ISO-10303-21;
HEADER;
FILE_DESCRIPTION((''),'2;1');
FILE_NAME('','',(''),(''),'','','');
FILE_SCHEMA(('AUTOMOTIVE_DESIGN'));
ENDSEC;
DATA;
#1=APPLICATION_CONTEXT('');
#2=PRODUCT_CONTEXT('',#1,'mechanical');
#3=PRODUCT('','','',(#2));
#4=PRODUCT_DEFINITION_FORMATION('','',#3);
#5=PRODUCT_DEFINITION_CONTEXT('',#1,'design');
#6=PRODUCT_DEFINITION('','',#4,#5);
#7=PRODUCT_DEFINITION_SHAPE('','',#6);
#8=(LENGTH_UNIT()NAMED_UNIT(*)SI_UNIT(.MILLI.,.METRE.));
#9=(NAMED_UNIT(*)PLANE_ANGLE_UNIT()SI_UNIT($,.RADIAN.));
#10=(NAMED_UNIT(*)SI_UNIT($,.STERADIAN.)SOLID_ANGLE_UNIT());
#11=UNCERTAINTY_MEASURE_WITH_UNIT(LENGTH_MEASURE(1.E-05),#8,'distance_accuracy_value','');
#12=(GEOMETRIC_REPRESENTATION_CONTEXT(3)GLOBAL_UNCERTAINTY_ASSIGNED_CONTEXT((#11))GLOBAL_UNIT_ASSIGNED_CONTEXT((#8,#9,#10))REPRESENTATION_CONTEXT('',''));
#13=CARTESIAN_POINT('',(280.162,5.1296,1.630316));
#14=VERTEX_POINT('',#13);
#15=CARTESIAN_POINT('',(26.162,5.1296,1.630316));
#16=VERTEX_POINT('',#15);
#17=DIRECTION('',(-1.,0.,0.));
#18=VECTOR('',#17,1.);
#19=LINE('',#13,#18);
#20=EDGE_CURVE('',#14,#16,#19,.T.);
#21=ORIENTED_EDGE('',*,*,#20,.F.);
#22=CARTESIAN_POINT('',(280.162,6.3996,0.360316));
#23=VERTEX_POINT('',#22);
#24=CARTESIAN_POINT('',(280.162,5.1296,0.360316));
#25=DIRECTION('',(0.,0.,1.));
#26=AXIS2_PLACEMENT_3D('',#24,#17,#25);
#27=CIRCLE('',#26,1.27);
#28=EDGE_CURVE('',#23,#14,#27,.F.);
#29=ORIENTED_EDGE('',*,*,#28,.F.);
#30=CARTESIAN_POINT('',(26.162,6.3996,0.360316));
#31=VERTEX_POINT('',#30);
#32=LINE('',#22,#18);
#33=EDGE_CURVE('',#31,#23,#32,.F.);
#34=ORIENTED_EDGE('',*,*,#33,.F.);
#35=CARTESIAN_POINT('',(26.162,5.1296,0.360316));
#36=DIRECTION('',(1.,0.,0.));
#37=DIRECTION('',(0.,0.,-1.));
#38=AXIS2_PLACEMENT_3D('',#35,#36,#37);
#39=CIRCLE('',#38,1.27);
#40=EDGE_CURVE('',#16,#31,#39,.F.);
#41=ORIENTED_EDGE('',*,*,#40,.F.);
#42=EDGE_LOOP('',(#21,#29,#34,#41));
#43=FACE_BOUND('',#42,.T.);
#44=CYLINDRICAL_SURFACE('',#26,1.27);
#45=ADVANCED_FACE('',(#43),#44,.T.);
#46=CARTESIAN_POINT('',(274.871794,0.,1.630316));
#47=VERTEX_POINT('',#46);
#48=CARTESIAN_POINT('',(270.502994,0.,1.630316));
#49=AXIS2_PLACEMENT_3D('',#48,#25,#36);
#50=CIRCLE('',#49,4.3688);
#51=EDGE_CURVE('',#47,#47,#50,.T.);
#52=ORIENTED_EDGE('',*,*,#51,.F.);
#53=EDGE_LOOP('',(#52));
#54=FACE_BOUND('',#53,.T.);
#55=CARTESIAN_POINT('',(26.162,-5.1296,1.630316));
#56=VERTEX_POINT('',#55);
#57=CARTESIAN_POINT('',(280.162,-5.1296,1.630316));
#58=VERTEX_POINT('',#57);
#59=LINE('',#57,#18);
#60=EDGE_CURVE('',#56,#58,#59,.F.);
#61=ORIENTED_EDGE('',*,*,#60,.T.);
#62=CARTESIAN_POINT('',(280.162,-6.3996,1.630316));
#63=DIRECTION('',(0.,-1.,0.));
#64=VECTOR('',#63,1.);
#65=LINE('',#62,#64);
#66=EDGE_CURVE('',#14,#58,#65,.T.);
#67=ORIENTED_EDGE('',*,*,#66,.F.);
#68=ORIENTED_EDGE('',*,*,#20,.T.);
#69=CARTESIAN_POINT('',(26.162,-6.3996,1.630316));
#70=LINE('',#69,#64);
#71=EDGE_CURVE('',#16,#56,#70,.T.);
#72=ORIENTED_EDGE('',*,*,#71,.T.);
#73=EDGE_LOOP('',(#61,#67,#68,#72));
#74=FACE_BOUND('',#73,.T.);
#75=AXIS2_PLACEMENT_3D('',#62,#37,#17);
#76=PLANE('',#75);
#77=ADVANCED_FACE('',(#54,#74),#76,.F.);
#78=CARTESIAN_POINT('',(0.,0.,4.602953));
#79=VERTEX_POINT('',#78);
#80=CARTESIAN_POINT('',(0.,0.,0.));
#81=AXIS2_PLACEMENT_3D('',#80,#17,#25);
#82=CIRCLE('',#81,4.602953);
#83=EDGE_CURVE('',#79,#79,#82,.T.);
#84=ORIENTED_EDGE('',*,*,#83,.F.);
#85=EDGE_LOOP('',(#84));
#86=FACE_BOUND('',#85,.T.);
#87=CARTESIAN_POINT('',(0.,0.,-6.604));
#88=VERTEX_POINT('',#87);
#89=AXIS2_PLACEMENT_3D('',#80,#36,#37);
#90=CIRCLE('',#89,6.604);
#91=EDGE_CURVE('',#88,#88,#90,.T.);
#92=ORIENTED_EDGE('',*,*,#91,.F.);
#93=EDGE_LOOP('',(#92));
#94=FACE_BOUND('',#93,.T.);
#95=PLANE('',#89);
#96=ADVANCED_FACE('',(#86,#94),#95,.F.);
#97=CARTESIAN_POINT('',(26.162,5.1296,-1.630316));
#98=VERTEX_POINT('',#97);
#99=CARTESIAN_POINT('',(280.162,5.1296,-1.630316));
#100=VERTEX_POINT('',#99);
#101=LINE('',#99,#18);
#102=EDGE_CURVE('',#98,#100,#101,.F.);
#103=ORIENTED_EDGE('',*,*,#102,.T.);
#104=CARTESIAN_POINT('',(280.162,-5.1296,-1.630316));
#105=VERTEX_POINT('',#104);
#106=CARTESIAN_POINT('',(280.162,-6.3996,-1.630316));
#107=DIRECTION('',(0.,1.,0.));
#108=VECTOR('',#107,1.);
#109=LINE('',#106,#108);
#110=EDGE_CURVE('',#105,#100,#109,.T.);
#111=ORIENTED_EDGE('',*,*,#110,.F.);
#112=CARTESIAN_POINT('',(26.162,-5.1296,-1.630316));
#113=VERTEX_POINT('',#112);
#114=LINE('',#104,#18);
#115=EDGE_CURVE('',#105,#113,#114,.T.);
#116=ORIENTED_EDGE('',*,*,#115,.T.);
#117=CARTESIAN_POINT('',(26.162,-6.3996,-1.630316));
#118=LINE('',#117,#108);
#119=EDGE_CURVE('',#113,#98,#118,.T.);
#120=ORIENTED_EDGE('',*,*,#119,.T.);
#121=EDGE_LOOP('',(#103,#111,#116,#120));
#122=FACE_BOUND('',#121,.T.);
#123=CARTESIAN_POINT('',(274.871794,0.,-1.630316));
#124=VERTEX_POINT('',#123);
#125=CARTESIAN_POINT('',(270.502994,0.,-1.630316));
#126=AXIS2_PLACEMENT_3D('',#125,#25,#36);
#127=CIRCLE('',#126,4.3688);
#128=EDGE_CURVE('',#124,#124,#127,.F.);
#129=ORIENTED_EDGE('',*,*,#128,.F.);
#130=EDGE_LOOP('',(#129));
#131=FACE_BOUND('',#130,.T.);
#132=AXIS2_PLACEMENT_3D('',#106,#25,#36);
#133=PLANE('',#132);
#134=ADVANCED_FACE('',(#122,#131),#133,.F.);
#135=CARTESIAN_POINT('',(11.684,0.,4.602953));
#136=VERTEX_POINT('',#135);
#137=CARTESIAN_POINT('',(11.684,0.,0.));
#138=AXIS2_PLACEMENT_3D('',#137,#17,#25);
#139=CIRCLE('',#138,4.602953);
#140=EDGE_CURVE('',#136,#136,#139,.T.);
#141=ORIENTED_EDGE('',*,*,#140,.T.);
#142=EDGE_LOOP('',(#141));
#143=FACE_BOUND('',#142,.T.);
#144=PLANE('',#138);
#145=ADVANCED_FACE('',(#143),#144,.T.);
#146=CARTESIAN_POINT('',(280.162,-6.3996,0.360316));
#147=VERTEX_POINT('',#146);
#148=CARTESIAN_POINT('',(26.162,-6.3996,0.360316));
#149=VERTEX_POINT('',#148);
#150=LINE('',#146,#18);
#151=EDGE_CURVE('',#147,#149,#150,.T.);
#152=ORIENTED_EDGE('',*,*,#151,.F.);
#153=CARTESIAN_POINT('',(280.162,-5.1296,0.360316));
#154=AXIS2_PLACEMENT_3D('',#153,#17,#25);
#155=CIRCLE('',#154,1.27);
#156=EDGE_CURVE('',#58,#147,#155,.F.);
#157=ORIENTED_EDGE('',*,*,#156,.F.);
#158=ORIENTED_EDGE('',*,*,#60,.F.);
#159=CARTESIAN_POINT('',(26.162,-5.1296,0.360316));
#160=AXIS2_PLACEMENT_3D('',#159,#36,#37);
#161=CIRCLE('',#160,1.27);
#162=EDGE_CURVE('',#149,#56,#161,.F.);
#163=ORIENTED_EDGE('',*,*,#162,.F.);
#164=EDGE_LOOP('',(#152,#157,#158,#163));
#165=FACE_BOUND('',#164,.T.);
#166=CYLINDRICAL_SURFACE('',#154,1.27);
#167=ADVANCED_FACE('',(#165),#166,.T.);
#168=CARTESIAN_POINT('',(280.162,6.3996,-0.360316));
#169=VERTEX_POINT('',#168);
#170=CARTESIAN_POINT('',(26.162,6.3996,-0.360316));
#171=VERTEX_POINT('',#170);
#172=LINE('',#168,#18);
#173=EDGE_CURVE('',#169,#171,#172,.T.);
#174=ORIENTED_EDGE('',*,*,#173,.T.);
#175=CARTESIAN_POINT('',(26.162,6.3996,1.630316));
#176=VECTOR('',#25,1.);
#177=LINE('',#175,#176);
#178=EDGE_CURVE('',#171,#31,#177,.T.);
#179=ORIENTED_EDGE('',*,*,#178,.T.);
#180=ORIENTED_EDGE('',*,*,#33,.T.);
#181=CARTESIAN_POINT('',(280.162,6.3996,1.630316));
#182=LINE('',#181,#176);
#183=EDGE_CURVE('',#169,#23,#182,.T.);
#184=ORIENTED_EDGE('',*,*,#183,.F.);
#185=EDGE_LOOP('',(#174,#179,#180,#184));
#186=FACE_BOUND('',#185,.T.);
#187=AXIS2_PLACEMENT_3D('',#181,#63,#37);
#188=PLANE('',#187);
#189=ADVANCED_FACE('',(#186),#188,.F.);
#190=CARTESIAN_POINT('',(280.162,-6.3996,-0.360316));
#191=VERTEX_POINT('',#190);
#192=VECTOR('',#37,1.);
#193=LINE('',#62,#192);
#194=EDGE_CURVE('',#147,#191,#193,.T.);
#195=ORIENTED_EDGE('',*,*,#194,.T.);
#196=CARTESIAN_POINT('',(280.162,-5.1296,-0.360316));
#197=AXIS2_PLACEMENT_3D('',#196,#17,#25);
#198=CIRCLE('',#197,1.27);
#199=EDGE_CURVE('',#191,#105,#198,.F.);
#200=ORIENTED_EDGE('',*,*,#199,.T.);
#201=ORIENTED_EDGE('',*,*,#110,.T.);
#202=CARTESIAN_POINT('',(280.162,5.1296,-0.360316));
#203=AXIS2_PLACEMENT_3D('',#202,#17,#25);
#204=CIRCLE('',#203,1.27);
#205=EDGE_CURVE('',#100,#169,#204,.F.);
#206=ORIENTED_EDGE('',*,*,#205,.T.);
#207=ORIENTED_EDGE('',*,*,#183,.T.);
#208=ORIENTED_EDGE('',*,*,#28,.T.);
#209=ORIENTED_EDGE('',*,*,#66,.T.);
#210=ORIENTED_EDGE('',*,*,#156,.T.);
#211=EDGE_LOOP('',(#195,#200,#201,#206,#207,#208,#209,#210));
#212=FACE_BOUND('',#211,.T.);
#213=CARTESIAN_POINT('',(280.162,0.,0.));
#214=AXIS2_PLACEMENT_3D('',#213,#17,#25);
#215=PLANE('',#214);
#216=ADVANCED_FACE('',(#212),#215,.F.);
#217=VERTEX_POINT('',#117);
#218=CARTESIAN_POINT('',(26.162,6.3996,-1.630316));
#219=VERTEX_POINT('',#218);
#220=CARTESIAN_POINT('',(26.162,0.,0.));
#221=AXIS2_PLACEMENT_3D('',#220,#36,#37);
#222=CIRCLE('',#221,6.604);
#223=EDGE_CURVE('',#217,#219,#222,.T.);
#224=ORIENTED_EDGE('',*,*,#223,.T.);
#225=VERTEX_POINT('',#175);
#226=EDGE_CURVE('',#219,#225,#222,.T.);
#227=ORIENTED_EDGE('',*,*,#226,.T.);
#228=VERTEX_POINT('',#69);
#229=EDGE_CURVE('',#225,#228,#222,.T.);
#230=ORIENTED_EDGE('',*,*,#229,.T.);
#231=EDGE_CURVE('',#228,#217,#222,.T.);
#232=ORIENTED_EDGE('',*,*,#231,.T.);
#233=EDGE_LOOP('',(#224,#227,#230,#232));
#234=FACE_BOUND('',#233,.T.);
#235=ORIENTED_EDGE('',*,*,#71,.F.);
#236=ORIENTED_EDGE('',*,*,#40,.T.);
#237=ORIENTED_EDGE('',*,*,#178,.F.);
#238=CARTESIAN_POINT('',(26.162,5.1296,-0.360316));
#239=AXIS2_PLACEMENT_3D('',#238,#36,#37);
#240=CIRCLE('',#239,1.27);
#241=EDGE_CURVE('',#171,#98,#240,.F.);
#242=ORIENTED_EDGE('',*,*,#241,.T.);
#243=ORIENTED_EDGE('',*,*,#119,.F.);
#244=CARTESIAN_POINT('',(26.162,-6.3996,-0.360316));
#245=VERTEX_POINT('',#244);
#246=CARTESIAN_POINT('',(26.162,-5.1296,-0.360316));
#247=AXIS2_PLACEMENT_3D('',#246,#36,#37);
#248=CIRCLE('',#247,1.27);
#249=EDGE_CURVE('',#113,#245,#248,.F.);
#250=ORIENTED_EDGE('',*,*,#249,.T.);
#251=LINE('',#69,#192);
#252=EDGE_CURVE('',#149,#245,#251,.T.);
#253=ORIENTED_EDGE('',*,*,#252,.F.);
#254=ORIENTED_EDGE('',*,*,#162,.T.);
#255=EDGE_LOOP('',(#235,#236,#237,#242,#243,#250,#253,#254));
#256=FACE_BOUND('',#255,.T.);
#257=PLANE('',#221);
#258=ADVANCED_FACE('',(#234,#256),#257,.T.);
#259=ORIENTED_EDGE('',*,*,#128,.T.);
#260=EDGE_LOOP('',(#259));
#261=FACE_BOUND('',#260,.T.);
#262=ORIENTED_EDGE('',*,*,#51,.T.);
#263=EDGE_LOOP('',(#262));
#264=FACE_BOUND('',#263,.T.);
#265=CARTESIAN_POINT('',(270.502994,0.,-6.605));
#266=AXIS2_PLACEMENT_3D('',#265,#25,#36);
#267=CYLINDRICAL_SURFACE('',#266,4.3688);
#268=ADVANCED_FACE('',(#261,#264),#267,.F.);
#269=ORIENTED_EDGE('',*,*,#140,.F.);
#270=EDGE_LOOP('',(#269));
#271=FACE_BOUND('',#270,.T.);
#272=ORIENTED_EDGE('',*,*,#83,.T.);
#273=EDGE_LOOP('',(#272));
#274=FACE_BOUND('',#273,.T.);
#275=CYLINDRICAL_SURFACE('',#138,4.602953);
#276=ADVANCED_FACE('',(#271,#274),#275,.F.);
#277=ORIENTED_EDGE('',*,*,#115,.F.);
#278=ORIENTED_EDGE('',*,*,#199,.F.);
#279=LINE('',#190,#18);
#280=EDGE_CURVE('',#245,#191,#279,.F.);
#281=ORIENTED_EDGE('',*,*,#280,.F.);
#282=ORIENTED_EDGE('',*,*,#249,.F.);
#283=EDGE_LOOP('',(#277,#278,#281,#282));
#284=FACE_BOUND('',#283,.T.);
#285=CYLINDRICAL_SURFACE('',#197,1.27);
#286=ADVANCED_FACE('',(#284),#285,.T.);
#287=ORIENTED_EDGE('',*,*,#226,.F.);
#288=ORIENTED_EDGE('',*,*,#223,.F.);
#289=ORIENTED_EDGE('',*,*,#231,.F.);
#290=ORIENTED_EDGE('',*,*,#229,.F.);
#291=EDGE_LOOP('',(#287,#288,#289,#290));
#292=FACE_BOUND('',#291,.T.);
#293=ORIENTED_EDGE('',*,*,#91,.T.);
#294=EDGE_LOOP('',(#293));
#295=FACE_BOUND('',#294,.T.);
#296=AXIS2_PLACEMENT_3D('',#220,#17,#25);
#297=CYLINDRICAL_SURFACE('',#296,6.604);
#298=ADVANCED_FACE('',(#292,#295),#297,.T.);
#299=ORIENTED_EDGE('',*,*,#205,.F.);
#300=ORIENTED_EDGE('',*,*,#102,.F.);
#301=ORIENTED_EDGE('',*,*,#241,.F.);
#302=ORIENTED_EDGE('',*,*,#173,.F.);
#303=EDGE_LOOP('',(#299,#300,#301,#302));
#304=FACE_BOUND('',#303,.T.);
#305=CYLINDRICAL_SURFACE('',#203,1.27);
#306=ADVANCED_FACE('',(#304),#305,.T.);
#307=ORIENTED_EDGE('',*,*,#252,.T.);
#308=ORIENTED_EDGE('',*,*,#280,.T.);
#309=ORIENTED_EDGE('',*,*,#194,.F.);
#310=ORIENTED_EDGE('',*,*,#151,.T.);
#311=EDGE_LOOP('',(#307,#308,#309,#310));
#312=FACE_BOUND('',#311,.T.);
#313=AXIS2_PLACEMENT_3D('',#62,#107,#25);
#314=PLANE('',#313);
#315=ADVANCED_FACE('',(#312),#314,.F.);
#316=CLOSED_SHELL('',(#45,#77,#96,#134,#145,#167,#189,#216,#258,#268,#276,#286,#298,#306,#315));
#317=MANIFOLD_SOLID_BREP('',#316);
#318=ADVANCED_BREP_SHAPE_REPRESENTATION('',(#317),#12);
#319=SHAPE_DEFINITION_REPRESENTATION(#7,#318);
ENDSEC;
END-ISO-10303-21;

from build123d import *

# Parameters (mm, degrees)
SKETCH1_R           = 6.604
BOSS_EXTRUDE1_DEPTH = 26.162
SKETCH2_R           = 4.602953069
CUT_EXTRUDE1_DEPTH  = 11.684
SKETCH3_W           = 3.260632866
SKETCH3_H           = 12.799200652
BOSS_EXTRUDE2_DEPTH = 254
FILLET2_R           = 1.27
CUT_EXTRUDE4_REACH  = 10.234
SKETCH9_R           = 4.3688


with BuildPart() as part:
    # Sketch1 → Boss-Extrude1 (new body)
    with BuildSketch(Plane(origin=(0, 0, 0), x_dir=(0, 0, -1), z_dir=(1, 0, 0))):
        Circle(SKETCH1_R)
    extrude(amount=BOSS_EXTRUDE1_DEPTH)

    # Sketch2 → Cut-Extrude1 (cut)
    with BuildSketch(Plane.ZY):
        Circle(SKETCH2_R)
    extrude(amount=-CUT_EXTRUDE1_DEPTH, mode=Mode.SUBTRACT)

    # Sketch3 → Boss-Extrude2 (add)
    with BuildSketch(Plane(origin=(26.162, 0, 0), x_dir=(0, 0, -1), z_dir=(1, 0, 0))):
        Rectangle(SKETCH3_W, SKETCH3_H)
    extrude(amount=BOSS_EXTRUDE2_DEPTH)

    # Fillet2
    fillet2_edges = [part.edges().sort_by_distance(p)[0] for p in [
        (153.162, -6.399600326, -1.630316433),
        (153.162, 6.399600326, -1.630316433),
        (153.162, 6.399600326, 1.630316433),
        (153.162, -6.399600326, 1.630316433),
    ]]
    fillet(fillet2_edges, radius=FILLET2_R)

    # Sketch9 → Cut-Extrude4 (cut, up to next)
    with BuildSketch(Plane.XY.offset(1.630316433), mode=Mode.PRIVATE) as cut_extrude4_sk1:
        with Locations((270.502993622, 0)):
            Circle(SKETCH9_R)
    cut_extrude4_tool1 = extrude(cut_extrude4_sk1.sketch, amount=-CUT_EXTRUDE4_REACH, mode=Mode.PRIVATE) & part.part
    add(cut_extrude4_tool1.solids().sort_by_distance((270.502994, 0, 1.630316))[0], mode=Mode.SUBTRACT)


solid = part.part
